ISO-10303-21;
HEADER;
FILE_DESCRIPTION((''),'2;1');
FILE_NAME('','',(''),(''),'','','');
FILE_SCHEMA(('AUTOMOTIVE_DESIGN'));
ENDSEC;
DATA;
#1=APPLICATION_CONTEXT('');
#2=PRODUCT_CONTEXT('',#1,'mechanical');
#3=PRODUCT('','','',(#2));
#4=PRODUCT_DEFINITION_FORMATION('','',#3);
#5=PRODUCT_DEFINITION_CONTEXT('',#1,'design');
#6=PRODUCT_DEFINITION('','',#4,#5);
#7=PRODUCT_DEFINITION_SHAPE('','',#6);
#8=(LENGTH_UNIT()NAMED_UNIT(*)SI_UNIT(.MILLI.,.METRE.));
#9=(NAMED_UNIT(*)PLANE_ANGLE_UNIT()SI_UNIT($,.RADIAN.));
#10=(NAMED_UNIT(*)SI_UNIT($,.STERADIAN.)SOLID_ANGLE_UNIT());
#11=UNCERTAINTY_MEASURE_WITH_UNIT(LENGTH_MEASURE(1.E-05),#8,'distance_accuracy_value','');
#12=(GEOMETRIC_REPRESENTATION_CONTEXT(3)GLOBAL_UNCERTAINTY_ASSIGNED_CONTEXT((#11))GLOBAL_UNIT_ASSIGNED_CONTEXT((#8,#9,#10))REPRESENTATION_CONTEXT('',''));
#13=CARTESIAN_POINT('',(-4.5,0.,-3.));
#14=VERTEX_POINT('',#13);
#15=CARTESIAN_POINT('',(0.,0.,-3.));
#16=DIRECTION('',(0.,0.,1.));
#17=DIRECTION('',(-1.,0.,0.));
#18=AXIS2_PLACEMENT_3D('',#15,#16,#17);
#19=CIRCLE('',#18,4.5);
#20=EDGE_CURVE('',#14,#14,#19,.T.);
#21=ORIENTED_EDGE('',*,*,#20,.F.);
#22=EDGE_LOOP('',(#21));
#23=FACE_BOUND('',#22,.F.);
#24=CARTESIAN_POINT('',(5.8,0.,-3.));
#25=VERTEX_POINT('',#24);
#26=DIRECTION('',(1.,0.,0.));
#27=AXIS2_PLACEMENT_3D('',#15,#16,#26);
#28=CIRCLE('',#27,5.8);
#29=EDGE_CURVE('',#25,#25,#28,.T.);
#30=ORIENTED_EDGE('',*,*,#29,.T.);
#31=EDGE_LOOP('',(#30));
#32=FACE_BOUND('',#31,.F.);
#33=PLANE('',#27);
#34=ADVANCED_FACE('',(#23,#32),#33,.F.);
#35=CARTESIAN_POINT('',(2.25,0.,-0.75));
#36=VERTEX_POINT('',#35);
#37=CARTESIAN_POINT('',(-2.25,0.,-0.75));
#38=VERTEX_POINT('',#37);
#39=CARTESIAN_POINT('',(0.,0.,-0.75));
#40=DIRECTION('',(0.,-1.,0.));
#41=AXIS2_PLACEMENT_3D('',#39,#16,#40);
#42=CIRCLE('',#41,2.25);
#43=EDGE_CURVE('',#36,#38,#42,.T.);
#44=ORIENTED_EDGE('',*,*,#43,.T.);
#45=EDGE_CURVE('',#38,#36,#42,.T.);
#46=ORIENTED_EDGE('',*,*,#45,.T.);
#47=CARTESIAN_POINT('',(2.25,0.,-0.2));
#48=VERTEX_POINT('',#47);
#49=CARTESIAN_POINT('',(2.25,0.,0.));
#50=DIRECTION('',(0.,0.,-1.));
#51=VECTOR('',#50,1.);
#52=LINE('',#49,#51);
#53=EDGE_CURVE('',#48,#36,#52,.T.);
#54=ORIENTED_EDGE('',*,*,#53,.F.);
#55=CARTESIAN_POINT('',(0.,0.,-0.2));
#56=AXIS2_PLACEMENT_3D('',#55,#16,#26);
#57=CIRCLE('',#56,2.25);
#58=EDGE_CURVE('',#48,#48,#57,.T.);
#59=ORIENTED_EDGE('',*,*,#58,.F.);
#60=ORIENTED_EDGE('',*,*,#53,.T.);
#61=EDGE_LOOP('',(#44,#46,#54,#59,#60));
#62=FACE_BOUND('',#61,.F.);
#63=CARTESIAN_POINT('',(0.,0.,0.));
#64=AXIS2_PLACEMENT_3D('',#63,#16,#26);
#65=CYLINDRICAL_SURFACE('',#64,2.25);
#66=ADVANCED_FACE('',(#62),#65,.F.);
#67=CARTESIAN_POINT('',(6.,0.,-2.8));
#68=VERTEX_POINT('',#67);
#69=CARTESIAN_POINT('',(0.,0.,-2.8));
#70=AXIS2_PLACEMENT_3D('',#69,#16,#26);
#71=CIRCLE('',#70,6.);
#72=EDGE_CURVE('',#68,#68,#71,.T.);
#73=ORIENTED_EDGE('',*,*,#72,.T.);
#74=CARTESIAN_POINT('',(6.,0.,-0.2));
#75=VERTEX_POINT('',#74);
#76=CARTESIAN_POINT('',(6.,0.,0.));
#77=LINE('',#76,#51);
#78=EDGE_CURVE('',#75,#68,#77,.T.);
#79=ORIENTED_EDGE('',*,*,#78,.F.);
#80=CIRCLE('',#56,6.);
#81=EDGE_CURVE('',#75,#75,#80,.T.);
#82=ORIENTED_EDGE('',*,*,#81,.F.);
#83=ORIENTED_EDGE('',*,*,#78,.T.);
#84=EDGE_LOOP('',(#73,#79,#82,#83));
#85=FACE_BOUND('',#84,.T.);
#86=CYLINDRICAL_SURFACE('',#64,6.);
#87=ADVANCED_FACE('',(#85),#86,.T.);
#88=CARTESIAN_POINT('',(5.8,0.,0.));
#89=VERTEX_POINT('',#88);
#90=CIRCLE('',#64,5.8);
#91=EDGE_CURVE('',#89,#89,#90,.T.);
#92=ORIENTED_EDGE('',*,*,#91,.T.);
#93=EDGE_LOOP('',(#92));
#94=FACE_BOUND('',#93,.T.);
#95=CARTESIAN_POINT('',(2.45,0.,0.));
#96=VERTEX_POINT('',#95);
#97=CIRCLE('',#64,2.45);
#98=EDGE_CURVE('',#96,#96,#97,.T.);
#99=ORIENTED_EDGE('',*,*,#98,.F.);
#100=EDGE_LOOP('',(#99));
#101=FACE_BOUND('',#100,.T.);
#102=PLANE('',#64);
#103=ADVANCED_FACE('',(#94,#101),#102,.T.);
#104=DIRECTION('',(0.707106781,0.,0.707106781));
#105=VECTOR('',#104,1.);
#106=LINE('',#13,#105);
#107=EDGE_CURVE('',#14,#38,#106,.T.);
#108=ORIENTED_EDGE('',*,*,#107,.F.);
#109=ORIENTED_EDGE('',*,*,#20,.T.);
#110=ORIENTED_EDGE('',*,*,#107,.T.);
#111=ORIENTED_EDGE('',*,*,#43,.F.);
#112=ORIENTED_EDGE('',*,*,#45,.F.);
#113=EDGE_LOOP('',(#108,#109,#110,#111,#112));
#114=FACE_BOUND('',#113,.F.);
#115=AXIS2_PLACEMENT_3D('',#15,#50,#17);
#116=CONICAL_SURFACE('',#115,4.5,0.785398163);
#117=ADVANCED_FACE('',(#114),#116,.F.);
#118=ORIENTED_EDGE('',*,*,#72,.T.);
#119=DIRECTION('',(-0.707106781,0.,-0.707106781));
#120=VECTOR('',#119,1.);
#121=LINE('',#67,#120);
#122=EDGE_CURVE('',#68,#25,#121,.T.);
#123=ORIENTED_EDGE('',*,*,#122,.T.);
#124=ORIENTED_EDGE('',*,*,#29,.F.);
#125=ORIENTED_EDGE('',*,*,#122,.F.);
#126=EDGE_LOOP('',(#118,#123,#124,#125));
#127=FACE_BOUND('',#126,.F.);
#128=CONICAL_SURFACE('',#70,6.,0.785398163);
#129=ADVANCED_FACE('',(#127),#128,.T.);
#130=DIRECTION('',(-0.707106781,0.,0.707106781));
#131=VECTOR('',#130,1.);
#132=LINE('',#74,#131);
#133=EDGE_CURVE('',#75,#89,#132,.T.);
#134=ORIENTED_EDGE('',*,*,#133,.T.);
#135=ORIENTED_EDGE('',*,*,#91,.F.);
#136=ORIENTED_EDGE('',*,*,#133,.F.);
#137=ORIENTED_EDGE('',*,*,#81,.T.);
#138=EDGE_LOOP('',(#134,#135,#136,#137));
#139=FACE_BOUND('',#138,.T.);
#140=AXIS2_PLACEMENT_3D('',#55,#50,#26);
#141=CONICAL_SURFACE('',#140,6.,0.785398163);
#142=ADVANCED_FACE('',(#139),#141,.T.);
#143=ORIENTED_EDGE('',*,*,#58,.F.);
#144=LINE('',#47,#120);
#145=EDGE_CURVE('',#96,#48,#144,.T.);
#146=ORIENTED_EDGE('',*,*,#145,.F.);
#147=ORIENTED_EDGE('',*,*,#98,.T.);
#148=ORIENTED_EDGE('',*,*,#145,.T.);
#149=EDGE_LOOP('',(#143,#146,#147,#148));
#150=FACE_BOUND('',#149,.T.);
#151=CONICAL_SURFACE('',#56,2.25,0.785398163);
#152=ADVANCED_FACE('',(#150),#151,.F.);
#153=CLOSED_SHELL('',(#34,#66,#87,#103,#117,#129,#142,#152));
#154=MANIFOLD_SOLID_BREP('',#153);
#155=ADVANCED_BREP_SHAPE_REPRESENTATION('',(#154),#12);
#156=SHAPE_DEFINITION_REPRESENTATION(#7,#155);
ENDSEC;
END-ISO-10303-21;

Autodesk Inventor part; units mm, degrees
ref_plane "YZ Plane" through (0, 0, 0) normal (1, 0, 0) x (0, 1, 0)
ref_plane "XZ Plane" through (0, 0, 0) normal (0, 1, 0) x (-1, 0, 0)
ref_plane "XY Plane" through (0, 0, 0) normal (0, 0, 1) x (1, 0, 0)
sketch "Sketch4" plane through (0, 0, 0) normal (0, 0, 1) x (1, 0, 0)
  circle A0 centre (0, 0) radius 6
  circle A1 centre (0, 0) radius 2.25
  dimension "d0" = 4.5
  dimension "d1" = 12
extrude "Extrusion1" add sketch "Sketch4" against normal blind 3
sketch "Sketch6" plane through (0, 0, 0) normal (0, 1, 0) x (-1, 0, 0)
  line L0 (0, -3) -> (4.5, -3)
  line L1 (4.5, -3) -> (0, 1.5)
  line L2 (0, -3) -> (0, 1.5)
  point P0 (0, 0)
  dimension "d12" = 45
  dimension "d13" = 9
  dimension "d15" = 3
revolve "Revolution1" cut sketch "Sketch6" angle 360 about axis through (0, 0, -3) along (0, 0, 1)
chamfer "Chamfer1" distance 0.2 angle 45 3 edges at (-6, 0, -3) (-6, 0, 0) (-2.25, 0, 0)
chamfer "Chamfer2" [suppressed]
equation "\"d0\" = Inside_Diameter"
equation "\"d1\" = Outside_Diameter"
equation "\"d2\" = Thickness"
equation "\"d13\" = 2 * Inside_Diameter"
equation "\"d15\" = Thickness"
equation "\"d4\" = Chamfer"
equation "\"d16\" = Chamfer"
equation "\"Outside_Diameter\" = 12"
equation "\"Inside_Diameter\" = 4.5"
equation "\"Thickness\" = 3"
equation "\"Chamfer\" = 0.2"
properties part number "FWSRS-D12-V4.5-E2.5-T3" material "Stainless Steel"
